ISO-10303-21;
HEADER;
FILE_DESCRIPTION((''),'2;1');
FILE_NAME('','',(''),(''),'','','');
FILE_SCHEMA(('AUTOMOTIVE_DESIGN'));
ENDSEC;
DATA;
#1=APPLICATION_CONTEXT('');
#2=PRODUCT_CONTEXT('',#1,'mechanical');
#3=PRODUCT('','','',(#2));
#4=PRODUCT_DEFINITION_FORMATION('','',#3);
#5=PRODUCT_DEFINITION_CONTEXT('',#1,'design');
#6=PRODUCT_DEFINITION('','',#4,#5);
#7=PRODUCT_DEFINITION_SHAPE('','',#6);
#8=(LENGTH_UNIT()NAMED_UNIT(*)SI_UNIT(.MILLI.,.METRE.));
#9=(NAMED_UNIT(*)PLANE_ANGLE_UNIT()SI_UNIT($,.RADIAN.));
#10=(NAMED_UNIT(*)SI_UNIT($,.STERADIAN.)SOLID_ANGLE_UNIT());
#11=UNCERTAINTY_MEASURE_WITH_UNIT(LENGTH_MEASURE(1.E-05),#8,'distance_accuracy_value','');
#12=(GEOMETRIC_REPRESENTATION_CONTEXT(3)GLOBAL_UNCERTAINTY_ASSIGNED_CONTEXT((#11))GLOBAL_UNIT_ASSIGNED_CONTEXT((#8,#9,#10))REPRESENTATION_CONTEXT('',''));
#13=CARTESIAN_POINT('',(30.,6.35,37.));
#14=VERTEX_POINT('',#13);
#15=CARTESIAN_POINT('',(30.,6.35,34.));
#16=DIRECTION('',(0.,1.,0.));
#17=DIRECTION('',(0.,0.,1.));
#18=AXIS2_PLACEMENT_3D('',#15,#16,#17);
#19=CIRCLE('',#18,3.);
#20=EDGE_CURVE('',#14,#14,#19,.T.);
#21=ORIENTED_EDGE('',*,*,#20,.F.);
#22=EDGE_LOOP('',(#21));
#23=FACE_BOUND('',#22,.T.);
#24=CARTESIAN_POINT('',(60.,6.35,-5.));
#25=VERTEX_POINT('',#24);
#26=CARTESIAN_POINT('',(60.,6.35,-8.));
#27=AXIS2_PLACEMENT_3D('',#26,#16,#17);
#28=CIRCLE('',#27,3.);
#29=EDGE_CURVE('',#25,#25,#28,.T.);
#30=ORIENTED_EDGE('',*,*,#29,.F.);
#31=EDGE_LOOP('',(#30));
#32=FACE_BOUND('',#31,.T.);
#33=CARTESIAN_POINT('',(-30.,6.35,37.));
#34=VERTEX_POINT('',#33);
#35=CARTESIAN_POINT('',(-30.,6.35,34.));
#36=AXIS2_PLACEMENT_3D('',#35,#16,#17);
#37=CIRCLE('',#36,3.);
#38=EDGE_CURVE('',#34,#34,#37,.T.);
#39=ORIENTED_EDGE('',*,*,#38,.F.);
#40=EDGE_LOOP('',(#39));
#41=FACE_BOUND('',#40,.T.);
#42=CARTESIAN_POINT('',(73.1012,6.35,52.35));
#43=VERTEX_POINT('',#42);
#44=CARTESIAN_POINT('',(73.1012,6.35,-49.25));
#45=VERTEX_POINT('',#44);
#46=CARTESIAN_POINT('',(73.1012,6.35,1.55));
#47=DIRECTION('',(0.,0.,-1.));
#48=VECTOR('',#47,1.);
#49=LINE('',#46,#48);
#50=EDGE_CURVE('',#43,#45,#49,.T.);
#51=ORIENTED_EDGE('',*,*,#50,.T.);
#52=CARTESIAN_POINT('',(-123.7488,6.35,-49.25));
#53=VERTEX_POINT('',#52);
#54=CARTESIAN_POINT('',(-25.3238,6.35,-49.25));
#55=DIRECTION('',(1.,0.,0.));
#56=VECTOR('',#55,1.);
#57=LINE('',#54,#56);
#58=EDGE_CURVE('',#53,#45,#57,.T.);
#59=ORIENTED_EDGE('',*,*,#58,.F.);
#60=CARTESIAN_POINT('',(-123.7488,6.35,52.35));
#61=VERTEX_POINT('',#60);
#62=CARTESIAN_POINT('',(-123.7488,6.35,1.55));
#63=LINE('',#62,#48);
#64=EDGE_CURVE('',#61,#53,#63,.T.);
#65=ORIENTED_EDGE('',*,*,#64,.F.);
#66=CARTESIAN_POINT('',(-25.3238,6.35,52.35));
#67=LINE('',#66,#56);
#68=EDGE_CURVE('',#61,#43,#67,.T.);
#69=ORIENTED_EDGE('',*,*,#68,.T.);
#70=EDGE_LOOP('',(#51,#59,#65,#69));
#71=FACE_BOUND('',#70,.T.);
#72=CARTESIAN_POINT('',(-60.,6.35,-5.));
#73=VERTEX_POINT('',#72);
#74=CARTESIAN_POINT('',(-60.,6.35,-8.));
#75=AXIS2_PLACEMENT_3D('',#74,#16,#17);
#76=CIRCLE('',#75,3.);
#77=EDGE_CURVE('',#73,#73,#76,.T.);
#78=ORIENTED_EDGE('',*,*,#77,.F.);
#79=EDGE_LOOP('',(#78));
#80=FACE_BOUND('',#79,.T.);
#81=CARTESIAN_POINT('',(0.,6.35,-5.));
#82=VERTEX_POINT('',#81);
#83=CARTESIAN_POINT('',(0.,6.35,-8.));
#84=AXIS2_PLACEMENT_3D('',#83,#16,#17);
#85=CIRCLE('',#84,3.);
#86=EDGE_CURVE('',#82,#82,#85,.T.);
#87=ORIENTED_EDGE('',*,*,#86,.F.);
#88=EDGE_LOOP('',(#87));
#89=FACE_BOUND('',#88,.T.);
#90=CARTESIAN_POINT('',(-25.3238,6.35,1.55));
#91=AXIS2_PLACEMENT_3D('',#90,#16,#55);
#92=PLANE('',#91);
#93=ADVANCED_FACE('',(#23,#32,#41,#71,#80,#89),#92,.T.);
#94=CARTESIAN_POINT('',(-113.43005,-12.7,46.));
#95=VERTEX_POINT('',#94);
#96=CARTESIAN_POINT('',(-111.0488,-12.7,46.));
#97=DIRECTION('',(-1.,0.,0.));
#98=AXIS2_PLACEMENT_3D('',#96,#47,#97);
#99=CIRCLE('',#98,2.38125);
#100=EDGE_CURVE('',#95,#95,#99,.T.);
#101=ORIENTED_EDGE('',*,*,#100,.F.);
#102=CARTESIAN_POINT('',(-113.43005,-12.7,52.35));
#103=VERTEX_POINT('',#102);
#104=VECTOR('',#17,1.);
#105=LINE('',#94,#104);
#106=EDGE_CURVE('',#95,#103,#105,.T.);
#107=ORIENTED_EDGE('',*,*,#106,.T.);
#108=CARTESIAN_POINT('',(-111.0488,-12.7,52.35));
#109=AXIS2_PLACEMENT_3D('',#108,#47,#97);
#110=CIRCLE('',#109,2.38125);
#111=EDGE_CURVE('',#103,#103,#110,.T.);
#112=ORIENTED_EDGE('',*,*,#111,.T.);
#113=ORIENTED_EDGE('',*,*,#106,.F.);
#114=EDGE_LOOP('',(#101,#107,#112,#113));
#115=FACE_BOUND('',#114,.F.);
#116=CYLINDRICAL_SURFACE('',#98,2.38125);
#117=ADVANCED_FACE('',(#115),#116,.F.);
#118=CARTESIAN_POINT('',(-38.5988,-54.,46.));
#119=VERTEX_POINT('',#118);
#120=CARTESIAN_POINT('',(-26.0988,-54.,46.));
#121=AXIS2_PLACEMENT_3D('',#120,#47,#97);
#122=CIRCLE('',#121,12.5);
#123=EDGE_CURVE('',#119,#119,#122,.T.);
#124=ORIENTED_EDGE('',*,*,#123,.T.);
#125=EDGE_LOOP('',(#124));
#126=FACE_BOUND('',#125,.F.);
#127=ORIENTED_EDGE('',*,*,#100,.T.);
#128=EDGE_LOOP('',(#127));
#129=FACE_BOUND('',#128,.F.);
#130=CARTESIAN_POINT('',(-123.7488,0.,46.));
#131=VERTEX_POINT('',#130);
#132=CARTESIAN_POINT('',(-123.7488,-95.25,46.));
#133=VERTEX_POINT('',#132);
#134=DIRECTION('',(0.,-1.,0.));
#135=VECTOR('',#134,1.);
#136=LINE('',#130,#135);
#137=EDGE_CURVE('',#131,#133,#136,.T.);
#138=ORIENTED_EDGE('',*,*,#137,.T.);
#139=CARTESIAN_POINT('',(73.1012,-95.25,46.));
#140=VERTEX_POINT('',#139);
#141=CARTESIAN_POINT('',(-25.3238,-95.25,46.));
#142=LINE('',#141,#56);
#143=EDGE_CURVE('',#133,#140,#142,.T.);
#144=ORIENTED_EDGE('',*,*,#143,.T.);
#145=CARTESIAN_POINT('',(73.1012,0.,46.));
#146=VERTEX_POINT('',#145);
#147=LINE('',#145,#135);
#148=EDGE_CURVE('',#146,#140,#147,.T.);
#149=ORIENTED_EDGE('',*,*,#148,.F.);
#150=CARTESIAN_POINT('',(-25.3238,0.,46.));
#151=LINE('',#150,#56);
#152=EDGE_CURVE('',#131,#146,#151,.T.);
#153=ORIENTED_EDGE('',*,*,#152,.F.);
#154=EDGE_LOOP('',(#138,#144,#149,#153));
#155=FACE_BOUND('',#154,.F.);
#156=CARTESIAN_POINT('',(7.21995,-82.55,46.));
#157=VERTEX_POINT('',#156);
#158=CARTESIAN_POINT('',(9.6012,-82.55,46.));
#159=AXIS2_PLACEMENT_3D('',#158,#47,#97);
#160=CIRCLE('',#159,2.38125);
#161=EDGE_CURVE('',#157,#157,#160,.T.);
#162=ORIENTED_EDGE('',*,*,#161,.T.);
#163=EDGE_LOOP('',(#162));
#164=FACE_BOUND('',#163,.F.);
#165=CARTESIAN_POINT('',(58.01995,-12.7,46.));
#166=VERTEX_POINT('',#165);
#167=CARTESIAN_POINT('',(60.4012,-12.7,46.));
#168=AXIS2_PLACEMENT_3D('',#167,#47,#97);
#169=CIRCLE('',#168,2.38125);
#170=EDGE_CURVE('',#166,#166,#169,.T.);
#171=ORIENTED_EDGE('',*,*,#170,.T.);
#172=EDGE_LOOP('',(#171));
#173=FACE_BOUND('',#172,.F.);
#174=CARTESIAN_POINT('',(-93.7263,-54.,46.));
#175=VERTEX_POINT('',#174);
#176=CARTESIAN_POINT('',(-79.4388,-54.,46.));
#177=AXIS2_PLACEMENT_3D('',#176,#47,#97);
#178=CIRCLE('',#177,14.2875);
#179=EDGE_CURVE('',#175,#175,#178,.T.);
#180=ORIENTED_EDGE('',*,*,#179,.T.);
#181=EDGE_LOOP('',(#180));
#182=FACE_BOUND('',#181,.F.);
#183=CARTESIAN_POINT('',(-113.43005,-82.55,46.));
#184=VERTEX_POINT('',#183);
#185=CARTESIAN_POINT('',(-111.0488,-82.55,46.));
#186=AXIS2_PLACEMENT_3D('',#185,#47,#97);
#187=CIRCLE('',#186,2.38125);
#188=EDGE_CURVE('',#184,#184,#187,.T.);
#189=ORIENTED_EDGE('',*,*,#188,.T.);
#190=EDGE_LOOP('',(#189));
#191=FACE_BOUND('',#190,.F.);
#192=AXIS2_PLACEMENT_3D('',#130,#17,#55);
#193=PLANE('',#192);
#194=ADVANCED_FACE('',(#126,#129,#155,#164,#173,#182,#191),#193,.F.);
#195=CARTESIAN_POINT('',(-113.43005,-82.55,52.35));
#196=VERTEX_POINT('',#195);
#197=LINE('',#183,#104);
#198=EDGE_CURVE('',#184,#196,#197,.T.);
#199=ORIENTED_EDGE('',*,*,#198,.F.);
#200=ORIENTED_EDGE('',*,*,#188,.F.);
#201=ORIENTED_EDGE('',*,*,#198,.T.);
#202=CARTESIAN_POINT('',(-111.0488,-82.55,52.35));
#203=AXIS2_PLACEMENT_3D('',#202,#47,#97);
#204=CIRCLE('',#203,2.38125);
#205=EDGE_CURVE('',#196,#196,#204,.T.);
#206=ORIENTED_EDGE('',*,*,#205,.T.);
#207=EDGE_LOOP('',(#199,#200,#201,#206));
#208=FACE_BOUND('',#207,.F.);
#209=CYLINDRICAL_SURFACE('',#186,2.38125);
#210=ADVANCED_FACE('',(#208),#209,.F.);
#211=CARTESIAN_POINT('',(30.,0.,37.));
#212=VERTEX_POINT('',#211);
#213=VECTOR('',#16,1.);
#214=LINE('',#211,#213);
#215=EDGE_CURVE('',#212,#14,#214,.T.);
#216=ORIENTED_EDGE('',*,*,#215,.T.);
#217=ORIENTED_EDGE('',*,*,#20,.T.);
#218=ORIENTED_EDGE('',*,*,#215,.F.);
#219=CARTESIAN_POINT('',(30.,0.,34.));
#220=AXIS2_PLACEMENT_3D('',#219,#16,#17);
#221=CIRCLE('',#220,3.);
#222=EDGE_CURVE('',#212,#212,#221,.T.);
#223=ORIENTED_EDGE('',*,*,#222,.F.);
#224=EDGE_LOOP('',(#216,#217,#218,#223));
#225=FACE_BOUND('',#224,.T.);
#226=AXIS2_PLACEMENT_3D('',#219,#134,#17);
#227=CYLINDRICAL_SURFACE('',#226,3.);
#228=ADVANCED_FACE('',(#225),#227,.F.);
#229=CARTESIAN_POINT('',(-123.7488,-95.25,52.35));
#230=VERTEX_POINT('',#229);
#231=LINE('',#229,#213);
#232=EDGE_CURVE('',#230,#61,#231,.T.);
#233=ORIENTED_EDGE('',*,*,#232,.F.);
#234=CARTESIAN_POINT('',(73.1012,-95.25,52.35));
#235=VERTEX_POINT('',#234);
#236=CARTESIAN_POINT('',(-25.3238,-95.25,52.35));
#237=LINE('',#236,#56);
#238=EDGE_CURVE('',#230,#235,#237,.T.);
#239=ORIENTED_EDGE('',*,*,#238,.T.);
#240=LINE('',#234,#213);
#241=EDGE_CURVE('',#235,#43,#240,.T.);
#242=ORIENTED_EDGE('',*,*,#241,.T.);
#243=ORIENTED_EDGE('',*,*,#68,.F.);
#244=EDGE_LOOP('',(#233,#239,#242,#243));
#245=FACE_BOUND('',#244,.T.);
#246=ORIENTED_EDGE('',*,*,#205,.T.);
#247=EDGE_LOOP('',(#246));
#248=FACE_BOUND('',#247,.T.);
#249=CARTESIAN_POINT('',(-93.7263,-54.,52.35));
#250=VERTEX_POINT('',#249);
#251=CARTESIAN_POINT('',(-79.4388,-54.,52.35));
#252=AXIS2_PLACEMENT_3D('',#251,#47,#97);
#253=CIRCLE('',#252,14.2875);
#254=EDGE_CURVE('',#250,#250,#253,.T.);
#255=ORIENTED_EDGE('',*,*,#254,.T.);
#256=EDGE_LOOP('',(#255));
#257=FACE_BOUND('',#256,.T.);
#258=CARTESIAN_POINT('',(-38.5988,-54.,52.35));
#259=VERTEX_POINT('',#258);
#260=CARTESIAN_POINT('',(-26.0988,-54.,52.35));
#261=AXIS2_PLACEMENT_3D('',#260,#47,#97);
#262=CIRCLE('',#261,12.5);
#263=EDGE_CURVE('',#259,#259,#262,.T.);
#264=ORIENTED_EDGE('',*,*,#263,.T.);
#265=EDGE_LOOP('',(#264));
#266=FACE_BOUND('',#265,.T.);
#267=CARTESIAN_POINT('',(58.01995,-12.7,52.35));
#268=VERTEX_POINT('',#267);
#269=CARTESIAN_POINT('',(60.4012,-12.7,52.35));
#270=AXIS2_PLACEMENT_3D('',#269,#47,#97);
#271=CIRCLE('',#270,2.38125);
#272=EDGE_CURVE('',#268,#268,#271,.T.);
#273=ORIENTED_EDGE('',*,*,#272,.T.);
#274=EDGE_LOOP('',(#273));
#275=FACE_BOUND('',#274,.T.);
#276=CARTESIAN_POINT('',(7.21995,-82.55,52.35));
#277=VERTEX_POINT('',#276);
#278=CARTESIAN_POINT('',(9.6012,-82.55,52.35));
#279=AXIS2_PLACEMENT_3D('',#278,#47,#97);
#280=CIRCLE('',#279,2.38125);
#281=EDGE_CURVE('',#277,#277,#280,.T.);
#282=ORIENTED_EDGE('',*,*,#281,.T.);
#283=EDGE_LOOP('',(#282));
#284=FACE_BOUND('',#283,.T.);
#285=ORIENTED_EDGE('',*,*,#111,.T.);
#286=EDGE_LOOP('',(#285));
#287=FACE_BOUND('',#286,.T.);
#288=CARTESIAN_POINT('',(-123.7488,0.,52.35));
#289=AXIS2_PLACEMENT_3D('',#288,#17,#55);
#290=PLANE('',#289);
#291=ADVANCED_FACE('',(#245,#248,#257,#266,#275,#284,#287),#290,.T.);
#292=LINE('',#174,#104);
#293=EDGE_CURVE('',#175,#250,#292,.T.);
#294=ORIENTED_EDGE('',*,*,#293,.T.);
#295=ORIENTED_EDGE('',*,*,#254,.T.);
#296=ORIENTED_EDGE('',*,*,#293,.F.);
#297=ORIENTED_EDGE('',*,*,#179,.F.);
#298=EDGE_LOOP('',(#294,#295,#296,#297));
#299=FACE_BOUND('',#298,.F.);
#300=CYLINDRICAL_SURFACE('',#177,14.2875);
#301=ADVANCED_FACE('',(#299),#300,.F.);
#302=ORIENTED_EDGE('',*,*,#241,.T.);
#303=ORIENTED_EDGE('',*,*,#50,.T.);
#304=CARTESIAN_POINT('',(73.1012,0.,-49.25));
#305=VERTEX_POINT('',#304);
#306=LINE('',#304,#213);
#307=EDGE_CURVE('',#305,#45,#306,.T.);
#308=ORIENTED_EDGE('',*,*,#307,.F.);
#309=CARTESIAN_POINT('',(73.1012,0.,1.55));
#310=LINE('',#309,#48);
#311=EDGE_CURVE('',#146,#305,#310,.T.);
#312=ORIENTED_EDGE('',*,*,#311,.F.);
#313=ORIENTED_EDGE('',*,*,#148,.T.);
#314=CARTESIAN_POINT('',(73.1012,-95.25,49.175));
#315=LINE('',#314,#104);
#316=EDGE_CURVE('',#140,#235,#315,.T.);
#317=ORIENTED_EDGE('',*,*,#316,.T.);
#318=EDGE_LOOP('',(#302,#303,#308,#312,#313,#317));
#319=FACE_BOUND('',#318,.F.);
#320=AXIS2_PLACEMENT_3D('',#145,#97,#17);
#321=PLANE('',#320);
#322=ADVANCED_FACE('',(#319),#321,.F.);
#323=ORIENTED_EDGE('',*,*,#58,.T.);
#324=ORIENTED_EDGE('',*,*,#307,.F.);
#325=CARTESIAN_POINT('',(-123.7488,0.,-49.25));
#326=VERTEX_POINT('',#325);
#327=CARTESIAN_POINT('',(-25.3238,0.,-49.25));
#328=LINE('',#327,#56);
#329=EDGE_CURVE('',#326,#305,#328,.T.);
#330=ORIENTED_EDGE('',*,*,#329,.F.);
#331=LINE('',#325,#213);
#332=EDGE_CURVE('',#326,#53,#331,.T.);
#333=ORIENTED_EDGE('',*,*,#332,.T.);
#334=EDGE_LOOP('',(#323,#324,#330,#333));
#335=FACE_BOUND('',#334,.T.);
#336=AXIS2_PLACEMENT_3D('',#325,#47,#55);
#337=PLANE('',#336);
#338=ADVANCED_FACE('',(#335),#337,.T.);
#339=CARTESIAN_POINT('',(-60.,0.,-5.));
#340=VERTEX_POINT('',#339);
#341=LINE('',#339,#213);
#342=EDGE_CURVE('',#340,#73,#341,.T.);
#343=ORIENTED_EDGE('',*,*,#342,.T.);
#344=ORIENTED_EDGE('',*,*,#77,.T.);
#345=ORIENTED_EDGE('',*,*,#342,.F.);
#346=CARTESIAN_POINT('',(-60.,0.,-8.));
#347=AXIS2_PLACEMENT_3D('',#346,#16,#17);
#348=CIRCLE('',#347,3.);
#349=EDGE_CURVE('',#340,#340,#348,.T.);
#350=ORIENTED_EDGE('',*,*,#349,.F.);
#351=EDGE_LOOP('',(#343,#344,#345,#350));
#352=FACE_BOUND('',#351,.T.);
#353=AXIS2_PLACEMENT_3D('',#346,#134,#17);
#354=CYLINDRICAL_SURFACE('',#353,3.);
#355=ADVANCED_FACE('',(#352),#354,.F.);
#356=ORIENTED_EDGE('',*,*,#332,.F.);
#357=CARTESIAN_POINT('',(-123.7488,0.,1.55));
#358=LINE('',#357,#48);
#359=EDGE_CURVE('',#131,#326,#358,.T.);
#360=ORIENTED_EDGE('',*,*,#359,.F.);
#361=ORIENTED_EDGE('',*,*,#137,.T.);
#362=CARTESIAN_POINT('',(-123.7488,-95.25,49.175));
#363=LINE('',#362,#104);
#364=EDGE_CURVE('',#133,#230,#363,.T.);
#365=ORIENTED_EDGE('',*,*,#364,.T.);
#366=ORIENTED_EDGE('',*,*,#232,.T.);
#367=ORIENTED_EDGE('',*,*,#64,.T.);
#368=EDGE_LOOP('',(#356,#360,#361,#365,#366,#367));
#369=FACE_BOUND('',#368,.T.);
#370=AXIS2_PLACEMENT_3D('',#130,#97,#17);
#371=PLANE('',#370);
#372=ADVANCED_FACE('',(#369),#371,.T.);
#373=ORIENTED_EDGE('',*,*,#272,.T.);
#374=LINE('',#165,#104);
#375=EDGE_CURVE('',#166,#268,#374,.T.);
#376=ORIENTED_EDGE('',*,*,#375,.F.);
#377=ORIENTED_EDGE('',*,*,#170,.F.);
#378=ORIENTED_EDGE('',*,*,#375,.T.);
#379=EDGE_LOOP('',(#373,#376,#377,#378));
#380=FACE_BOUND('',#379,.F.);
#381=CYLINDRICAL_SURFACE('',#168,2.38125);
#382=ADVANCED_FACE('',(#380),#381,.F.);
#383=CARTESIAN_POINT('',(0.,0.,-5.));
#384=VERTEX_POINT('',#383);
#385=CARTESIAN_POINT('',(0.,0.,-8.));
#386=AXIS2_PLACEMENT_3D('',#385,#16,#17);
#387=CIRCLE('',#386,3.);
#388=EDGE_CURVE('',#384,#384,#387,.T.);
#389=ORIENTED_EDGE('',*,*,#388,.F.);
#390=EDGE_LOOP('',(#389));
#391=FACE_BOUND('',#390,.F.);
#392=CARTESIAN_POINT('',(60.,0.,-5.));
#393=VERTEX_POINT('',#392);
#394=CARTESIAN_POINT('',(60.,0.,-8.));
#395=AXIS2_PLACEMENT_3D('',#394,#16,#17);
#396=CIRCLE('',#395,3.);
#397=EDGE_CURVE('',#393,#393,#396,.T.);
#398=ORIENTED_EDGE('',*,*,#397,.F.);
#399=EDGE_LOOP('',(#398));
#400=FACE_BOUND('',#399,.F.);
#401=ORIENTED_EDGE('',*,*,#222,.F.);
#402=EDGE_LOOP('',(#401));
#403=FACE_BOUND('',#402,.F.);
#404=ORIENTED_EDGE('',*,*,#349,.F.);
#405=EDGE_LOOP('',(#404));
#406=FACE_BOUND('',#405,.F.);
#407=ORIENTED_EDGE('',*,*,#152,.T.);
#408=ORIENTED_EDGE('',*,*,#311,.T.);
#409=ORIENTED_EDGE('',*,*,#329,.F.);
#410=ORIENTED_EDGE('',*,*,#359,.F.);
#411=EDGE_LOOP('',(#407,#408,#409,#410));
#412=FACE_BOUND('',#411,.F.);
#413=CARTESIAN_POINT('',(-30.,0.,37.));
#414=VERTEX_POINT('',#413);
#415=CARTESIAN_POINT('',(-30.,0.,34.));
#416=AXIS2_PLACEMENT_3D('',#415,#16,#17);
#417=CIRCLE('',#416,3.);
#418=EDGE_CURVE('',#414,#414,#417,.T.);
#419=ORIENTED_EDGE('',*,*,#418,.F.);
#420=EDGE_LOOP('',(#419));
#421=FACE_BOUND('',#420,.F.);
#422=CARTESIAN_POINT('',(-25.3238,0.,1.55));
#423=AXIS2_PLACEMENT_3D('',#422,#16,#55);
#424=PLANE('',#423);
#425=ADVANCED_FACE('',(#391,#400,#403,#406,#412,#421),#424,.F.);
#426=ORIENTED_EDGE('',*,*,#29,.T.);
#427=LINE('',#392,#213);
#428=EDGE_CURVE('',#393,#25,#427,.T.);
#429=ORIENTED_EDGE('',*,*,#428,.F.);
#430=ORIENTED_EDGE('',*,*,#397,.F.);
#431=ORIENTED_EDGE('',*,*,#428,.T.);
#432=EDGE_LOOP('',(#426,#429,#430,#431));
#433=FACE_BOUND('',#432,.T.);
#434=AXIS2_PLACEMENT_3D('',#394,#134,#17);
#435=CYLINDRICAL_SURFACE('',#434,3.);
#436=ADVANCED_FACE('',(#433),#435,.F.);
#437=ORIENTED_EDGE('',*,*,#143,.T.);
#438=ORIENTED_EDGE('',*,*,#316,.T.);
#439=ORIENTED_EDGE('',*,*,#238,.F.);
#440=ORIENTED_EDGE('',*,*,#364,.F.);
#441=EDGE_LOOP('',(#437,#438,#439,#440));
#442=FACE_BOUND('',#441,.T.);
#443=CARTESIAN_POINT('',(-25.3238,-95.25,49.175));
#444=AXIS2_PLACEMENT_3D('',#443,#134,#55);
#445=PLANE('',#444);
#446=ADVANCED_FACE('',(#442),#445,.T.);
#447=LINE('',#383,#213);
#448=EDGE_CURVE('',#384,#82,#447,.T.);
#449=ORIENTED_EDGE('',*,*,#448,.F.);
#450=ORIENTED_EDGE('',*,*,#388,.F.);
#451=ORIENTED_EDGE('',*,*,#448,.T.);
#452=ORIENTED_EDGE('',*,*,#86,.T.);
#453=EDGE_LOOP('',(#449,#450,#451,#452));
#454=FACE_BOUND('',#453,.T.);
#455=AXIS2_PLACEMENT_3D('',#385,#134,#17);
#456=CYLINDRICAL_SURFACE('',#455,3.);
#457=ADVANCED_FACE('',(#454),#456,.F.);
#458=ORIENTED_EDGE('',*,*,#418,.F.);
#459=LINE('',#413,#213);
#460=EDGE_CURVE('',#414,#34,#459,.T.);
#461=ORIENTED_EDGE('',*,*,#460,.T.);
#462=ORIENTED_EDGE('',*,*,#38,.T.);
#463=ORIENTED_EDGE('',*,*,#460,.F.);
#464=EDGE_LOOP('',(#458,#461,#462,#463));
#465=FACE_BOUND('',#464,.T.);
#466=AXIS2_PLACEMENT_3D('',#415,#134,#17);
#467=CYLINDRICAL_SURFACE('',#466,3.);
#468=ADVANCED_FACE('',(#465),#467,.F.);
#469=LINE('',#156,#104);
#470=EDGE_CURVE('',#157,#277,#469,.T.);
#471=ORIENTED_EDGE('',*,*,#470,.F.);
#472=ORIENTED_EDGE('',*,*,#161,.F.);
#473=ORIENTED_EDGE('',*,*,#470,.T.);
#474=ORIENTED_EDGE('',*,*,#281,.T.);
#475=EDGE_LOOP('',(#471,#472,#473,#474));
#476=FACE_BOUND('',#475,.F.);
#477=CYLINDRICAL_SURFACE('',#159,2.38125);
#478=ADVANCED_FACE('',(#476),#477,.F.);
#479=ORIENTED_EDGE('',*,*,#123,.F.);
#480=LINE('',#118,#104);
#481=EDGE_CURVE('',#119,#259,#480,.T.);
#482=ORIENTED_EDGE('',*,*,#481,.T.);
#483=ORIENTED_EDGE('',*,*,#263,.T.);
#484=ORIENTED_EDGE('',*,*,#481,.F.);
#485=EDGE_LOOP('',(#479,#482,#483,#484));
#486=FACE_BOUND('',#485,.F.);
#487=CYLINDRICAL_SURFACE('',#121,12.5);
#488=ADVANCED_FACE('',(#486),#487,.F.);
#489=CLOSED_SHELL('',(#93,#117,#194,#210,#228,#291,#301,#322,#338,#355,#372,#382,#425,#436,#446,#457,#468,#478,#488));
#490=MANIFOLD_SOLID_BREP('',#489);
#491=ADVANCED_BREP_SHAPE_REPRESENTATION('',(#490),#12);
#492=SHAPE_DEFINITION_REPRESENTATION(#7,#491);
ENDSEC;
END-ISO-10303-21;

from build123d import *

# Parameters (mm, degrees)
SKETCH1_W           = 196.85
SKETCH1_H           = 101.6
SKETCH1_R           = 2.999999969
BOSS_EXTRUDE1_DEPTH = 6.35
SKETCH2_W           = 196.85
SKETCH2_H           = 6.35
BOSS_EXTRUDE2_DEPTH = 95.25
SKETCH4_R           = 12.500000019
SKETCH4_R_2         = 2.38125
SKETCH4_R_3         = 14.2875
CUT_EXTRUDE1_DEPTH  = 183.917715111


with BuildPart() as part:
    # Sketch1 → Boss-Extrude1 (new body)
    with BuildSketch(Plane(origin=(0, 0, 0), x_dir=(1, 0, 0), z_dir=(0, 1, 0))):
        with Locations((-25.3238, -1.549999948)):
            Rectangle(SKETCH1_W, SKETCH1_H)
        with Locations((-59.999999888, 8.000000002)):
            Circle(SKETCH1_R, mode=Mode.SUBTRACT)
        with Locations((0, 8.000000002)):
            Circle(SKETCH1_R, mode=Mode.SUBTRACT)
        with Locations((59.999999888, 8.000000002)):
            Circle(SKETCH1_R, mode=Mode.SUBTRACT)
        with Locations((29.999999944, -34.000000072)):
            Circle(SKETCH1_R, mode=Mode.SUBTRACT)
        with Locations((-29.999999944, -34.000000072)):
            Circle(SKETCH1_R, mode=Mode.SUBTRACT)
    extrude(amount=BOSS_EXTRUDE1_DEPTH)

    # Sketch2 → Boss-Extrude2 (add)
    with BuildSketch(Plane.XZ):
        with Locations((-25.3238, 49.174999948)):
            Rectangle(SKETCH2_W, SKETCH2_H)
    extrude(amount=BOSS_EXTRUDE2_DEPTH)

    # Sketch4 → Cut-Extrude1 (cut, through all)
    with BuildSketch(Plane(origin=(0, 0, 45.999999948), x_dir=(-1, 0, 0), z_dir=(0, 0, -1))):
        with Locations((26.098799974, -53.99999995)):
            Circle(SKETCH4_R)
        with Locations((-60.4012, -12.7)):
            Circle(SKETCH4_R_2)
        with Locations((111.0488, -12.7)):
            Circle(SKETCH4_R_2)
        with Locations((111.0488, -82.55)):
            Circle(SKETCH4_R_2)
        with Locations((-9.6012, -82.55)):
            Circle(SKETCH4_R_2)
        with Locations((79.438799974, -53.99999995)):
            Circle(SKETCH4_R_3)
    extrude(amount=-CUT_EXTRUDE1_DEPTH, mode=Mode.SUBTRACT)


solid = part.part
